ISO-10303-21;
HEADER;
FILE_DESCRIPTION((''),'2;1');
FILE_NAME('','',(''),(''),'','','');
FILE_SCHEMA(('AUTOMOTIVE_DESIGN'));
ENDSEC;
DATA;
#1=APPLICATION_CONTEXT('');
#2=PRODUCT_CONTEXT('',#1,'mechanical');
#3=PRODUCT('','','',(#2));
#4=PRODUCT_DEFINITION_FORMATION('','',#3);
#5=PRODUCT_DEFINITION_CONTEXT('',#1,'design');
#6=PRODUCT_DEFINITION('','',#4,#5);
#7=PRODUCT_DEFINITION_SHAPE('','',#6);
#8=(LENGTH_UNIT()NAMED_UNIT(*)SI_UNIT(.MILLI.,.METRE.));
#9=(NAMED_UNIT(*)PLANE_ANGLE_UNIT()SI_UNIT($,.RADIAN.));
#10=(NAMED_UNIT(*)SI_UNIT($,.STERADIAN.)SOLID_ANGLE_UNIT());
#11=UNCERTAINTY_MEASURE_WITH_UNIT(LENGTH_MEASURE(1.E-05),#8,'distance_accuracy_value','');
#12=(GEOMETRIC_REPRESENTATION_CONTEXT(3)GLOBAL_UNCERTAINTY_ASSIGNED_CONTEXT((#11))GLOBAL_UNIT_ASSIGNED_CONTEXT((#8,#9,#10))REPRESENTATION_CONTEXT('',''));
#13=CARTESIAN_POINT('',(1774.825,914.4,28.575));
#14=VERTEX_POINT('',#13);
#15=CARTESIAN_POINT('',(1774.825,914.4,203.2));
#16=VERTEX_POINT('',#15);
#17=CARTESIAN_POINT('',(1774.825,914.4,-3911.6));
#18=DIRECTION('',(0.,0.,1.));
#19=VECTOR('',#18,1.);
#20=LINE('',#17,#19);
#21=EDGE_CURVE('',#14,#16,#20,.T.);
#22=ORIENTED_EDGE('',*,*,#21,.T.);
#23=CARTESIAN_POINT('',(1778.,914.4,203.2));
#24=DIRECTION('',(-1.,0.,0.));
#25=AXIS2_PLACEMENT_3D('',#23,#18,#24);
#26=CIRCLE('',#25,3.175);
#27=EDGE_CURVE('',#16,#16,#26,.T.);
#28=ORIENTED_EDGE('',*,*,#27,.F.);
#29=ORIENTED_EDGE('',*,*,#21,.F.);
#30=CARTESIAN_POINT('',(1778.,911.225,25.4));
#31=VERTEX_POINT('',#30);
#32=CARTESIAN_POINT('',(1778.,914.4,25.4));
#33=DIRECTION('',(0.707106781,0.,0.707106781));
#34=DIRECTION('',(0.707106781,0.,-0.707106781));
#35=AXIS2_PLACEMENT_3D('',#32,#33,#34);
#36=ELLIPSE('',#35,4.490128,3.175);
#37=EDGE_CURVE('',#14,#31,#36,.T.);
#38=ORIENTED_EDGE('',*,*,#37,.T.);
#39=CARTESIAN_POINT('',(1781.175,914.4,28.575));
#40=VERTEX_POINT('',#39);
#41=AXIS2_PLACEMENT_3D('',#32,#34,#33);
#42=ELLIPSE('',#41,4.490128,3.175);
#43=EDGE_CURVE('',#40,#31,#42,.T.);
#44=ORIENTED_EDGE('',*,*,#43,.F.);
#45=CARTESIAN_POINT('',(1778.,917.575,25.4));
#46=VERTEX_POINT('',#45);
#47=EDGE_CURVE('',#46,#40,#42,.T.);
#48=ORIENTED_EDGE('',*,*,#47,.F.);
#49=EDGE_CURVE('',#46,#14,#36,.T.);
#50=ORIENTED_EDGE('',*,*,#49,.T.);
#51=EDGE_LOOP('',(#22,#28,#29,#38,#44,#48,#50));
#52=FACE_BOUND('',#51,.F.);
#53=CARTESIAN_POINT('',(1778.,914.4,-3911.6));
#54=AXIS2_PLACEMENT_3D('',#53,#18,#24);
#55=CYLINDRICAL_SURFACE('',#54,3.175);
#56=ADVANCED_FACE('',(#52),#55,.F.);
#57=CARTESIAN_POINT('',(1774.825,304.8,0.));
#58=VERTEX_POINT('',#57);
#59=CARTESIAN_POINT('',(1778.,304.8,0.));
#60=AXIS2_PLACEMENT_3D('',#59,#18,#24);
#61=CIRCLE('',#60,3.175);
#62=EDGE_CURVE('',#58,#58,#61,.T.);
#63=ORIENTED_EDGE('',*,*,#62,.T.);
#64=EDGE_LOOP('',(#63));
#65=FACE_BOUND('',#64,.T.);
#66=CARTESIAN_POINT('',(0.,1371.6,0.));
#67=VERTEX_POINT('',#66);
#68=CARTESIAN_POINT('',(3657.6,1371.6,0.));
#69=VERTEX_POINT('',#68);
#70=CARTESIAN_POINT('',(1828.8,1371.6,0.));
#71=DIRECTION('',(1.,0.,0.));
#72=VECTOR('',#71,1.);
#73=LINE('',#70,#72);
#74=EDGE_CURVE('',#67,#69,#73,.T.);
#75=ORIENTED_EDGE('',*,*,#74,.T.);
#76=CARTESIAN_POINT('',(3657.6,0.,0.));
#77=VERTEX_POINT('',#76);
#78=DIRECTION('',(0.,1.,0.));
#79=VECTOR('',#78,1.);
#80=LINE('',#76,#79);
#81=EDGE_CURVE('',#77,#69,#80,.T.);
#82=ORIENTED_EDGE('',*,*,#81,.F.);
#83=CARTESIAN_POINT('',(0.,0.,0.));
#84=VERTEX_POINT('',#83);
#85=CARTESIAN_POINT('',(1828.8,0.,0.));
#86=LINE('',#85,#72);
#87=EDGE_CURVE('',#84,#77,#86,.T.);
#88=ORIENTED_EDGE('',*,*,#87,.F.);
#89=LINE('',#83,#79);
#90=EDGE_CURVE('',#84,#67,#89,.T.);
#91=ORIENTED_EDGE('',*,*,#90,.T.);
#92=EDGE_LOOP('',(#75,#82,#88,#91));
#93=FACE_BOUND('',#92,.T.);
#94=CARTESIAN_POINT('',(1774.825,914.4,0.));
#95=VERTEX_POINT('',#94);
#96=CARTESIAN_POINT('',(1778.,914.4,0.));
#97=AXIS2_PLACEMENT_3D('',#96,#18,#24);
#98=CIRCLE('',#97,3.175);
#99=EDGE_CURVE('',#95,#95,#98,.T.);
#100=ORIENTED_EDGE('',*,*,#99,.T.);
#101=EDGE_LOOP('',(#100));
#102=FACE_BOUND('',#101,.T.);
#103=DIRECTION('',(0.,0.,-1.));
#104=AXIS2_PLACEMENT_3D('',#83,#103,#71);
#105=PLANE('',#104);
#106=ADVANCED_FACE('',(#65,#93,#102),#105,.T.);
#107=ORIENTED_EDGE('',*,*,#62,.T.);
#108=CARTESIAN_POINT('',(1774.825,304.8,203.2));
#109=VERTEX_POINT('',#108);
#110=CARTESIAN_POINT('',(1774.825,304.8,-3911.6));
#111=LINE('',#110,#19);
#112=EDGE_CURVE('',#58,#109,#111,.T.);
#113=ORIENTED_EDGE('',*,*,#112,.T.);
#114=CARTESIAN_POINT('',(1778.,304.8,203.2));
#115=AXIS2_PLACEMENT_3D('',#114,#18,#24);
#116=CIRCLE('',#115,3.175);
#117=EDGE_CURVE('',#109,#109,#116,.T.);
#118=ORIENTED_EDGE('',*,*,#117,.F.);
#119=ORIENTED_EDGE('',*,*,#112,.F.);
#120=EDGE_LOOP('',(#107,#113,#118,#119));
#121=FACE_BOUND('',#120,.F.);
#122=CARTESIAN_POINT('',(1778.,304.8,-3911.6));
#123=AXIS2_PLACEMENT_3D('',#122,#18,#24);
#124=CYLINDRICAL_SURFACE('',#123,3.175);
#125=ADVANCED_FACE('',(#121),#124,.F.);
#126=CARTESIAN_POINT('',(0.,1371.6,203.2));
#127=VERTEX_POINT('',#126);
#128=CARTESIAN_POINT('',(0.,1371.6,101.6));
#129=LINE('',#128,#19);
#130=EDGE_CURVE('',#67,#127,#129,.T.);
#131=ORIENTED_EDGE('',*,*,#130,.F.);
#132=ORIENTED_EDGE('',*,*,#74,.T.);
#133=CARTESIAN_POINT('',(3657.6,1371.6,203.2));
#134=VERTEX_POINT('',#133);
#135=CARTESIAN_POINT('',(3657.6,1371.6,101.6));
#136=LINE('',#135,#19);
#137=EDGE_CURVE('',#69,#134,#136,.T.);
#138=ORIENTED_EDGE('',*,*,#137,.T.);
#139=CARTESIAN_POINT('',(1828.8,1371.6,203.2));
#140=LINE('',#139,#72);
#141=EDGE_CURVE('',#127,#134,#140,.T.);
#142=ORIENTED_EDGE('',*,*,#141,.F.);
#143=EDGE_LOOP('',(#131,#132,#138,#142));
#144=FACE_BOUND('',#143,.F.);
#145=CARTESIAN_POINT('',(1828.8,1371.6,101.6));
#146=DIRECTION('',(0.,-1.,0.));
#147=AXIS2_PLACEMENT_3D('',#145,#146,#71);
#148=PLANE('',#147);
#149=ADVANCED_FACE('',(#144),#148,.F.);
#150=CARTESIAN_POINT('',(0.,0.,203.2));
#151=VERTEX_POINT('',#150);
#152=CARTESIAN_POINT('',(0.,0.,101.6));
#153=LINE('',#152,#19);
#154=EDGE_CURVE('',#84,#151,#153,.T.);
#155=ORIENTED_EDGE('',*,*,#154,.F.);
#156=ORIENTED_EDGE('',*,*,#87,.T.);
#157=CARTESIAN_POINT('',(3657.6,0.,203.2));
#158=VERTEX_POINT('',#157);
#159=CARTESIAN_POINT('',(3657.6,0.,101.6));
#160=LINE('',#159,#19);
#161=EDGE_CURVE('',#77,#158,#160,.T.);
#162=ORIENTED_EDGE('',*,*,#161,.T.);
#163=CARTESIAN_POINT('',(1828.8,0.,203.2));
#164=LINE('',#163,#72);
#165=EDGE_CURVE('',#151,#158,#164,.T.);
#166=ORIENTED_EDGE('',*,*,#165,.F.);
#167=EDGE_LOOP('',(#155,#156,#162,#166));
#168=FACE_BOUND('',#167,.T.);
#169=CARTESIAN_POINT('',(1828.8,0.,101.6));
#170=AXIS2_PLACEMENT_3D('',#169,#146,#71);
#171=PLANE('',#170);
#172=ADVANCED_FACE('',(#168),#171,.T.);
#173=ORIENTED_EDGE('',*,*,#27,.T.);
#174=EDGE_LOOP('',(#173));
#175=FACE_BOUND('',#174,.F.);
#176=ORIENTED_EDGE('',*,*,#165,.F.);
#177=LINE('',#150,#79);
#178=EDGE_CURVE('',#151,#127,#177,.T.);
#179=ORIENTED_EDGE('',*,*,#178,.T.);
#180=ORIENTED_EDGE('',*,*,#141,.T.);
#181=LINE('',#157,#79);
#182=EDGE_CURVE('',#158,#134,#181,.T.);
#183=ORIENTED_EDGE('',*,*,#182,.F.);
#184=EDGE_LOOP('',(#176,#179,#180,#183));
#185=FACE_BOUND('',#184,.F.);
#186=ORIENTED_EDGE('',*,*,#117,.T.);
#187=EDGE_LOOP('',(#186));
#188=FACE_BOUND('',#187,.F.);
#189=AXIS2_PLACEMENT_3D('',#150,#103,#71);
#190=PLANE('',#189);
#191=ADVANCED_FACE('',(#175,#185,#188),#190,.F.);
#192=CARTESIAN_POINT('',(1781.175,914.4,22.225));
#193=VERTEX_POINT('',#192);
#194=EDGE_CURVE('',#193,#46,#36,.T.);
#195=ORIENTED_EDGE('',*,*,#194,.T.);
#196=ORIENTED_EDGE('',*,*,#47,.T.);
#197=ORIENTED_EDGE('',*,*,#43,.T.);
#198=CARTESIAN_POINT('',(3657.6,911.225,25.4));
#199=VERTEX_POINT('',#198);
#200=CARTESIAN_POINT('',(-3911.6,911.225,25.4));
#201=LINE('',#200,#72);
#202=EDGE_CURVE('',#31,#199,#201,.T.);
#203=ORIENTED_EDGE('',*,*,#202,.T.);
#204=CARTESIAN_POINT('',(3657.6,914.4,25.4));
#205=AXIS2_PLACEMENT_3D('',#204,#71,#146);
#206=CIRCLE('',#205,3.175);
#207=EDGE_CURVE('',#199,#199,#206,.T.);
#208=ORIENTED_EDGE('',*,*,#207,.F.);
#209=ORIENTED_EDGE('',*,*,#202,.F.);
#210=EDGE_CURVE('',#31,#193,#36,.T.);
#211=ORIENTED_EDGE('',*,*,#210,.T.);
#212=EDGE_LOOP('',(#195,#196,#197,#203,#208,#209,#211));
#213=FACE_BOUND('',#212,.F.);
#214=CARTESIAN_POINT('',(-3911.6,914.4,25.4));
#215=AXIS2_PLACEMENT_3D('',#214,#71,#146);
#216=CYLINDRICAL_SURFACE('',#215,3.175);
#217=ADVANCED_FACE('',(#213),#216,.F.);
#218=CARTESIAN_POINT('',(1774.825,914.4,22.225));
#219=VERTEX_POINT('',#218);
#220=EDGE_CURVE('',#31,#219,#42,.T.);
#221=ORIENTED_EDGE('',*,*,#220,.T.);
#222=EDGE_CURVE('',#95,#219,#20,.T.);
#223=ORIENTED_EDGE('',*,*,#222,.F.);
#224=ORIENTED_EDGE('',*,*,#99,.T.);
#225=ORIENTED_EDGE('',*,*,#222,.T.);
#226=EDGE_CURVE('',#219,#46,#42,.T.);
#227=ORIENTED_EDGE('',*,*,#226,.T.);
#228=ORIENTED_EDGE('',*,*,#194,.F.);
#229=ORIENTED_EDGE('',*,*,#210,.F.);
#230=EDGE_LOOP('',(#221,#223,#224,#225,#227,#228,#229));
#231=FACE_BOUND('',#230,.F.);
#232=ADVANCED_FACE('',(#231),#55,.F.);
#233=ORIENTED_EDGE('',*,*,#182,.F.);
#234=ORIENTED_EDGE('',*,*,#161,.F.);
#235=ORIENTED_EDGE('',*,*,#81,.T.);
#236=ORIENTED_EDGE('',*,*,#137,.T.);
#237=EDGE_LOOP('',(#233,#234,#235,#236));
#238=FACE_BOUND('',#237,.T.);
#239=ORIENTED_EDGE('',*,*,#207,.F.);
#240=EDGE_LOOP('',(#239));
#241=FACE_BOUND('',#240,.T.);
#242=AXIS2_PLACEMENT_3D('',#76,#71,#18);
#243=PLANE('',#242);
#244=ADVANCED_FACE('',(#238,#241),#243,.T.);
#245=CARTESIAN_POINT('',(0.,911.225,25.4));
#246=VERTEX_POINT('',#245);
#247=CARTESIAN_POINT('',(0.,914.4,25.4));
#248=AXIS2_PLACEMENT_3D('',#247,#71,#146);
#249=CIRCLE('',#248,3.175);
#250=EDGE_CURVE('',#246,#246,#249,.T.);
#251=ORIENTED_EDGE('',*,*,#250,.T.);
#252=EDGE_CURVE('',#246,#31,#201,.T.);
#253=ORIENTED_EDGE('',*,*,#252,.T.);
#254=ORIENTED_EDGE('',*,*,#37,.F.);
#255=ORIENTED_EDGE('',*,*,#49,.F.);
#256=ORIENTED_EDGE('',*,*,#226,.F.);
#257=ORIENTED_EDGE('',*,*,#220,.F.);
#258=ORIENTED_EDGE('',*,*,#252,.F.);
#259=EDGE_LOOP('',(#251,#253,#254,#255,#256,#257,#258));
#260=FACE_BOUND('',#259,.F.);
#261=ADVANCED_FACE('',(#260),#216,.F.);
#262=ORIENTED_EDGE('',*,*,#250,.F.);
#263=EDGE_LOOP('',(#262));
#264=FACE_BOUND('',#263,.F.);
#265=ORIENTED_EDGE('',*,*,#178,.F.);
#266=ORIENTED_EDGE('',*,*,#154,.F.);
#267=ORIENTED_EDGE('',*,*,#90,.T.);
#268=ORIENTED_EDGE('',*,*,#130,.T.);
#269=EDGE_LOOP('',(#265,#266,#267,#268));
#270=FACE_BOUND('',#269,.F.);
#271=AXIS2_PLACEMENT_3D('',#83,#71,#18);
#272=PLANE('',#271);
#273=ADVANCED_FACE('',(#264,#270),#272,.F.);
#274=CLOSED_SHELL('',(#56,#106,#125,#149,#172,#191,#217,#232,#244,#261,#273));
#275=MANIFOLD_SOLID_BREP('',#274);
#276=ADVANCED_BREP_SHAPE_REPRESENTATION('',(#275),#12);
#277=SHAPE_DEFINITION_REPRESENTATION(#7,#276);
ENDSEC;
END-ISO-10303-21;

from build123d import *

# Parameters (mm, degrees)
F0_W     = 3657.6
F0_H     = 203.2
F3_DEPTH = 1371.6
F4_D     = 6.35
F5_D     = 6.35
F6_D     = 6.35


with BuildPart() as f3:
    # F0 (on Front) → F3 (new body)
    with BuildSketch(Plane.XZ):
        with Locations((1828.8, 101.6)):
            Rectangle(F0_W, F0_H)
    extrude(amount=-F3_DEPTH)

    # F4 (through all)
    with Locations(Plane(origin=(0, 0, 0), x_dir=(0, 1, 0), z_dir=(-1, 0, 0))):
        with Locations((914.4, -25.4)):
            Hole(F4_D / 2)

    # F5 (through all)
    with Locations(Plane(origin=(0, 0, 0), x_dir=(1, 0, 0), z_dir=(0, 0, -1))):
        with Locations((1778, -304.8)):
            Hole(F5_D / 2)

    # F6 (through all)
    with Locations(Plane(origin=(0, 0, 0), x_dir=(1, 0, 0), z_dir=(0, 0, -1))):
        with Locations((1778, -914.4)):
            Hole(F6_D / 2)


solid = f3.part
